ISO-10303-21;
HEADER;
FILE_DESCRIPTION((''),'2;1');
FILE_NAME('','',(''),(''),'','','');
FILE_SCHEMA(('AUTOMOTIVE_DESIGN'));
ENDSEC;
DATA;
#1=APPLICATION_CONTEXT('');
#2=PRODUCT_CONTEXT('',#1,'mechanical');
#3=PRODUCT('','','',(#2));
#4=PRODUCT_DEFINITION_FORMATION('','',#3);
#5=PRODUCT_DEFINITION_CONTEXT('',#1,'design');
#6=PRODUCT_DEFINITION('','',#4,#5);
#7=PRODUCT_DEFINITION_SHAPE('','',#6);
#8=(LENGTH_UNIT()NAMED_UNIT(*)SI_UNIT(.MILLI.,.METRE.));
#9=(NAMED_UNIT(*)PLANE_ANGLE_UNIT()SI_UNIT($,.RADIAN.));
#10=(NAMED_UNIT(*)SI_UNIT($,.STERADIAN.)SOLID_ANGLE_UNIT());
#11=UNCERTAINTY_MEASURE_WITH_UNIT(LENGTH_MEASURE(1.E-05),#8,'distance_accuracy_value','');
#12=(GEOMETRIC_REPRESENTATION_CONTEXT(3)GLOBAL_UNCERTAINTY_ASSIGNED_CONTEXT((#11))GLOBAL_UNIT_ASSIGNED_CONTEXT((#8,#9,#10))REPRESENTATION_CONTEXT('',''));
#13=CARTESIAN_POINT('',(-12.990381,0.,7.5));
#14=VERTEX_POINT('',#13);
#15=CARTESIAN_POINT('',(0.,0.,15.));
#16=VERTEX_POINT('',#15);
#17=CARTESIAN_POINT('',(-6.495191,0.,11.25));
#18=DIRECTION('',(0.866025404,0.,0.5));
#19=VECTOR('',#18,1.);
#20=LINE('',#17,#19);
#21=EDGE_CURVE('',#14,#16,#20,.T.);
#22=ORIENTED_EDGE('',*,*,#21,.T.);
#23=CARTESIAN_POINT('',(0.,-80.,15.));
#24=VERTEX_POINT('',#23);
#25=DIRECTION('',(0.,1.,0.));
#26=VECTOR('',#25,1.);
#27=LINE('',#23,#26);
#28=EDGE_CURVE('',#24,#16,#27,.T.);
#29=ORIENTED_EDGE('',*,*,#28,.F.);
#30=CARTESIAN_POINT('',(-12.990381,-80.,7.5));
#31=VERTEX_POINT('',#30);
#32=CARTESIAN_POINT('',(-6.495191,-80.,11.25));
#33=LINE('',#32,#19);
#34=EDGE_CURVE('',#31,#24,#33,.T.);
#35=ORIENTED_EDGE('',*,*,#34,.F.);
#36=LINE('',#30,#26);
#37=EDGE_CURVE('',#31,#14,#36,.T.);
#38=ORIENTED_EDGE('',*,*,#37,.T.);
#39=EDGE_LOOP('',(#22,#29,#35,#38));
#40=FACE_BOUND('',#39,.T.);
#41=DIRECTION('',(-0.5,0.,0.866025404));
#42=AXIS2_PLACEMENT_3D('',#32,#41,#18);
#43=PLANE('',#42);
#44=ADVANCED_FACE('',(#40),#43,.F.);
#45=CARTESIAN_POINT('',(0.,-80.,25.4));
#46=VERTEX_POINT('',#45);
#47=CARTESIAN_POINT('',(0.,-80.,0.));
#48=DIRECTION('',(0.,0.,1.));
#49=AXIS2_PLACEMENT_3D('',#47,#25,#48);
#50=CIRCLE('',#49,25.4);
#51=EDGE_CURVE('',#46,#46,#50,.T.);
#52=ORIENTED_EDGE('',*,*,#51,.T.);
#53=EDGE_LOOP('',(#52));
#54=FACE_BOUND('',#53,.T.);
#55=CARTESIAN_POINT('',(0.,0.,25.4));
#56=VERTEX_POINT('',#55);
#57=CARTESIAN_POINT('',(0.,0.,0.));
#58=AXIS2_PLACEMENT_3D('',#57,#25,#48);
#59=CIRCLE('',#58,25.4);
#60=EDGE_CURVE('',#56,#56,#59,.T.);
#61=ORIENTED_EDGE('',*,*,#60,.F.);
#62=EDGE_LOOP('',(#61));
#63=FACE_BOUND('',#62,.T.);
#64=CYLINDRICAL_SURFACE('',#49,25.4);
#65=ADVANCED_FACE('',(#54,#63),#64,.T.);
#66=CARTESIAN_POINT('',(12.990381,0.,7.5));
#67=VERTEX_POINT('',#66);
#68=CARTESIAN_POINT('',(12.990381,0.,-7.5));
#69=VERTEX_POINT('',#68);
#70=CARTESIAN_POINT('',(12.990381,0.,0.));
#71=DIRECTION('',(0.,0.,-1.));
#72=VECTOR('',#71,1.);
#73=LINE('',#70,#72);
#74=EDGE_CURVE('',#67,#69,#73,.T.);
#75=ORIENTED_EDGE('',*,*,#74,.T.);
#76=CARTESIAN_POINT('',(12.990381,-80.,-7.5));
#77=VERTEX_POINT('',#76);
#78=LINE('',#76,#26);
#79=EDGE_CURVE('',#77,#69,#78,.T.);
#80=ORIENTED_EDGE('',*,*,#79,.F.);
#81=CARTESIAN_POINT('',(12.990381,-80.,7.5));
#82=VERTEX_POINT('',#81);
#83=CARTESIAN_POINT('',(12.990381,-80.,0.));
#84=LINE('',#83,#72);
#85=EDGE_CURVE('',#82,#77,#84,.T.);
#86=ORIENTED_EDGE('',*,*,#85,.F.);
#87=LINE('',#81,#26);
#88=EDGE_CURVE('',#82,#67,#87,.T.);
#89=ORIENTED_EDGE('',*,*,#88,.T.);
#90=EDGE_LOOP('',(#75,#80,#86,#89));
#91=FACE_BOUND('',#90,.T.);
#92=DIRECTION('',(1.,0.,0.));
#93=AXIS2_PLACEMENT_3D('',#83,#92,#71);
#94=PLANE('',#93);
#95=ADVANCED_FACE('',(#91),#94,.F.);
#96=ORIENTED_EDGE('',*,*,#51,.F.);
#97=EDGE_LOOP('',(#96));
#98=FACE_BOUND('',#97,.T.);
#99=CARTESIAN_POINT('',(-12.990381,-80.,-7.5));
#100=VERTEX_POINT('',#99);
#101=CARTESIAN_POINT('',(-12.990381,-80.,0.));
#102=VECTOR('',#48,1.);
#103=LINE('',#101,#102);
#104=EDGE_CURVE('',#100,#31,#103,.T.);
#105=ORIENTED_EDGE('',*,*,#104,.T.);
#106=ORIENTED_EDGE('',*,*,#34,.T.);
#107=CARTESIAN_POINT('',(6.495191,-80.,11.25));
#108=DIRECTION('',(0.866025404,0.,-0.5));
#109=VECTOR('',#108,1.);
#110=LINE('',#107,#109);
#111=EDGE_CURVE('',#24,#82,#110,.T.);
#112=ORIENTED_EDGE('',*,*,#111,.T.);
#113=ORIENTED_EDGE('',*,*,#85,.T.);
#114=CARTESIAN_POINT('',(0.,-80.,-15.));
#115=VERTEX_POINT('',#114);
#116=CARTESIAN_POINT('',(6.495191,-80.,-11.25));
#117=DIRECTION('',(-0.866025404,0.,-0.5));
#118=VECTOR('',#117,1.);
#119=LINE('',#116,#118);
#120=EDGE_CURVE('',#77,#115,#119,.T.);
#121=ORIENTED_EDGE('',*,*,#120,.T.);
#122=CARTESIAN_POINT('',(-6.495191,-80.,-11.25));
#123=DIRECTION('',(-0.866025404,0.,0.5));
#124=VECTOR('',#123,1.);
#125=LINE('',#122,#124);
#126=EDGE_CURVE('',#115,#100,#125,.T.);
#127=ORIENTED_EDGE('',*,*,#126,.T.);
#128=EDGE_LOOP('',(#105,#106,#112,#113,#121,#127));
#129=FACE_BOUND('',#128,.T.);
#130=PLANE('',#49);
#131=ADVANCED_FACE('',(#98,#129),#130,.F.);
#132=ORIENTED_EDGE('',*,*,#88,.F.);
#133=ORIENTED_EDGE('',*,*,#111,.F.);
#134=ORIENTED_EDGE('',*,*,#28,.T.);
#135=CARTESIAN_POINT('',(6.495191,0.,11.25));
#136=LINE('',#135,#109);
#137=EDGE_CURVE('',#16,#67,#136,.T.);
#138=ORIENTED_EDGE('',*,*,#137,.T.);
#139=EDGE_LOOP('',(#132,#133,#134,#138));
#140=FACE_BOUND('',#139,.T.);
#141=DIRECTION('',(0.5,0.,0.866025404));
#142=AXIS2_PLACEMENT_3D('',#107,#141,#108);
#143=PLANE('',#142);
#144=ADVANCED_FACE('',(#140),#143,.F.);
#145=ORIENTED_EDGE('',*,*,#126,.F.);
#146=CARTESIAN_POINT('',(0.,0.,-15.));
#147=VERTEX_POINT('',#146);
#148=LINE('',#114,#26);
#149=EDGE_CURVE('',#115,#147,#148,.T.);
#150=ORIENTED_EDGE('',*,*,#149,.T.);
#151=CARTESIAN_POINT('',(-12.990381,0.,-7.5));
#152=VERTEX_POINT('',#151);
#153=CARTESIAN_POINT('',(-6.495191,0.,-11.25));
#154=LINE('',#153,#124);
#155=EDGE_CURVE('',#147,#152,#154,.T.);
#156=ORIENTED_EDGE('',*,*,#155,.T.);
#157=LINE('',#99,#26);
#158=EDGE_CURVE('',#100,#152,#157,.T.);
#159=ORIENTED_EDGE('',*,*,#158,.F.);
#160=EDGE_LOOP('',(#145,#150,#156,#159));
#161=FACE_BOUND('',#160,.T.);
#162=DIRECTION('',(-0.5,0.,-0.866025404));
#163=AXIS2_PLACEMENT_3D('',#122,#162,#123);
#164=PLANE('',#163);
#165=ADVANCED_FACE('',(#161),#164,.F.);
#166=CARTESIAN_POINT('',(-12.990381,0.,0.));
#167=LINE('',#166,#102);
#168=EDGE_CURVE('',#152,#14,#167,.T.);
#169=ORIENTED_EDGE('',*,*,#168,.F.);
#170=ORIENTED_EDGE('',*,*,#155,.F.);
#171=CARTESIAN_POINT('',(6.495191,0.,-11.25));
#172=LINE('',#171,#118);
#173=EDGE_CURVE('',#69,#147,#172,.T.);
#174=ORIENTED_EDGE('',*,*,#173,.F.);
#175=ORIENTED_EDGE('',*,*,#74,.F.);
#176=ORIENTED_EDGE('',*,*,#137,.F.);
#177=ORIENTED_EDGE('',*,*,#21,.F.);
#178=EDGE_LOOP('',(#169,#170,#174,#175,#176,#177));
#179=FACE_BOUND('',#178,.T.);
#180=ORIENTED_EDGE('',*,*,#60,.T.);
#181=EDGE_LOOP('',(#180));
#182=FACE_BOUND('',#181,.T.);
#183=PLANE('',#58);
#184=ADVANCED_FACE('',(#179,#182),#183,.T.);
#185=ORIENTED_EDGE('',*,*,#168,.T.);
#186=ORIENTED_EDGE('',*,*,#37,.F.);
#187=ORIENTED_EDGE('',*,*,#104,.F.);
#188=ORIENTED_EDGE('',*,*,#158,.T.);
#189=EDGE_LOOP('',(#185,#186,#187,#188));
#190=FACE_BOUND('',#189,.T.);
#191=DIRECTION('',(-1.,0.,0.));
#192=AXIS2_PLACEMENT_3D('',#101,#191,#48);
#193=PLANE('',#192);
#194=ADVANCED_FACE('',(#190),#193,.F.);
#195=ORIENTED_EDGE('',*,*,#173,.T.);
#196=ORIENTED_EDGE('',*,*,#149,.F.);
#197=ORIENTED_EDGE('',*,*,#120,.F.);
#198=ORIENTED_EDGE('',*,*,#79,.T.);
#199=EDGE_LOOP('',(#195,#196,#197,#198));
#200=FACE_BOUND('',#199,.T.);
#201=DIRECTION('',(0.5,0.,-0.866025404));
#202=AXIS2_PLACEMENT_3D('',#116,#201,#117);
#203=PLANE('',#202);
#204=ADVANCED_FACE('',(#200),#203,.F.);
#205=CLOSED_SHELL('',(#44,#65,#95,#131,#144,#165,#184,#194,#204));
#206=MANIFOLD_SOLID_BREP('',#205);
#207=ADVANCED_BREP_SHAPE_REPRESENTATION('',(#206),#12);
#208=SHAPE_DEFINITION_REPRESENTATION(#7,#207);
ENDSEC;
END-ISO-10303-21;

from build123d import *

# Parameters (mm, degrees)
SKETCH1_R           = 25.4
BOSS_EXTRUDE1_DEPTH = 80


with BuildPart() as part:
    # Sketch1 → Boss-Extrude1 (new body)
    with BuildSketch(Plane(origin=(0, 0, 0), x_dir=(1, 0, 0), z_dir=(0, 1, 0))):
        with Locations(Location((0, 0, 0), (0, 0, 270))):
            Circle(SKETCH1_R)
        Polygon((12.990381057, 7.5), (0, 15), (-12.990381057, 7.5), (-12.990381057, -7.5), (0, -15), (12.990381057, -7.5), align=None, mode=Mode.SUBTRACT)
    extrude(amount=-BOSS_EXTRUDE1_DEPTH)


solid = part.part
